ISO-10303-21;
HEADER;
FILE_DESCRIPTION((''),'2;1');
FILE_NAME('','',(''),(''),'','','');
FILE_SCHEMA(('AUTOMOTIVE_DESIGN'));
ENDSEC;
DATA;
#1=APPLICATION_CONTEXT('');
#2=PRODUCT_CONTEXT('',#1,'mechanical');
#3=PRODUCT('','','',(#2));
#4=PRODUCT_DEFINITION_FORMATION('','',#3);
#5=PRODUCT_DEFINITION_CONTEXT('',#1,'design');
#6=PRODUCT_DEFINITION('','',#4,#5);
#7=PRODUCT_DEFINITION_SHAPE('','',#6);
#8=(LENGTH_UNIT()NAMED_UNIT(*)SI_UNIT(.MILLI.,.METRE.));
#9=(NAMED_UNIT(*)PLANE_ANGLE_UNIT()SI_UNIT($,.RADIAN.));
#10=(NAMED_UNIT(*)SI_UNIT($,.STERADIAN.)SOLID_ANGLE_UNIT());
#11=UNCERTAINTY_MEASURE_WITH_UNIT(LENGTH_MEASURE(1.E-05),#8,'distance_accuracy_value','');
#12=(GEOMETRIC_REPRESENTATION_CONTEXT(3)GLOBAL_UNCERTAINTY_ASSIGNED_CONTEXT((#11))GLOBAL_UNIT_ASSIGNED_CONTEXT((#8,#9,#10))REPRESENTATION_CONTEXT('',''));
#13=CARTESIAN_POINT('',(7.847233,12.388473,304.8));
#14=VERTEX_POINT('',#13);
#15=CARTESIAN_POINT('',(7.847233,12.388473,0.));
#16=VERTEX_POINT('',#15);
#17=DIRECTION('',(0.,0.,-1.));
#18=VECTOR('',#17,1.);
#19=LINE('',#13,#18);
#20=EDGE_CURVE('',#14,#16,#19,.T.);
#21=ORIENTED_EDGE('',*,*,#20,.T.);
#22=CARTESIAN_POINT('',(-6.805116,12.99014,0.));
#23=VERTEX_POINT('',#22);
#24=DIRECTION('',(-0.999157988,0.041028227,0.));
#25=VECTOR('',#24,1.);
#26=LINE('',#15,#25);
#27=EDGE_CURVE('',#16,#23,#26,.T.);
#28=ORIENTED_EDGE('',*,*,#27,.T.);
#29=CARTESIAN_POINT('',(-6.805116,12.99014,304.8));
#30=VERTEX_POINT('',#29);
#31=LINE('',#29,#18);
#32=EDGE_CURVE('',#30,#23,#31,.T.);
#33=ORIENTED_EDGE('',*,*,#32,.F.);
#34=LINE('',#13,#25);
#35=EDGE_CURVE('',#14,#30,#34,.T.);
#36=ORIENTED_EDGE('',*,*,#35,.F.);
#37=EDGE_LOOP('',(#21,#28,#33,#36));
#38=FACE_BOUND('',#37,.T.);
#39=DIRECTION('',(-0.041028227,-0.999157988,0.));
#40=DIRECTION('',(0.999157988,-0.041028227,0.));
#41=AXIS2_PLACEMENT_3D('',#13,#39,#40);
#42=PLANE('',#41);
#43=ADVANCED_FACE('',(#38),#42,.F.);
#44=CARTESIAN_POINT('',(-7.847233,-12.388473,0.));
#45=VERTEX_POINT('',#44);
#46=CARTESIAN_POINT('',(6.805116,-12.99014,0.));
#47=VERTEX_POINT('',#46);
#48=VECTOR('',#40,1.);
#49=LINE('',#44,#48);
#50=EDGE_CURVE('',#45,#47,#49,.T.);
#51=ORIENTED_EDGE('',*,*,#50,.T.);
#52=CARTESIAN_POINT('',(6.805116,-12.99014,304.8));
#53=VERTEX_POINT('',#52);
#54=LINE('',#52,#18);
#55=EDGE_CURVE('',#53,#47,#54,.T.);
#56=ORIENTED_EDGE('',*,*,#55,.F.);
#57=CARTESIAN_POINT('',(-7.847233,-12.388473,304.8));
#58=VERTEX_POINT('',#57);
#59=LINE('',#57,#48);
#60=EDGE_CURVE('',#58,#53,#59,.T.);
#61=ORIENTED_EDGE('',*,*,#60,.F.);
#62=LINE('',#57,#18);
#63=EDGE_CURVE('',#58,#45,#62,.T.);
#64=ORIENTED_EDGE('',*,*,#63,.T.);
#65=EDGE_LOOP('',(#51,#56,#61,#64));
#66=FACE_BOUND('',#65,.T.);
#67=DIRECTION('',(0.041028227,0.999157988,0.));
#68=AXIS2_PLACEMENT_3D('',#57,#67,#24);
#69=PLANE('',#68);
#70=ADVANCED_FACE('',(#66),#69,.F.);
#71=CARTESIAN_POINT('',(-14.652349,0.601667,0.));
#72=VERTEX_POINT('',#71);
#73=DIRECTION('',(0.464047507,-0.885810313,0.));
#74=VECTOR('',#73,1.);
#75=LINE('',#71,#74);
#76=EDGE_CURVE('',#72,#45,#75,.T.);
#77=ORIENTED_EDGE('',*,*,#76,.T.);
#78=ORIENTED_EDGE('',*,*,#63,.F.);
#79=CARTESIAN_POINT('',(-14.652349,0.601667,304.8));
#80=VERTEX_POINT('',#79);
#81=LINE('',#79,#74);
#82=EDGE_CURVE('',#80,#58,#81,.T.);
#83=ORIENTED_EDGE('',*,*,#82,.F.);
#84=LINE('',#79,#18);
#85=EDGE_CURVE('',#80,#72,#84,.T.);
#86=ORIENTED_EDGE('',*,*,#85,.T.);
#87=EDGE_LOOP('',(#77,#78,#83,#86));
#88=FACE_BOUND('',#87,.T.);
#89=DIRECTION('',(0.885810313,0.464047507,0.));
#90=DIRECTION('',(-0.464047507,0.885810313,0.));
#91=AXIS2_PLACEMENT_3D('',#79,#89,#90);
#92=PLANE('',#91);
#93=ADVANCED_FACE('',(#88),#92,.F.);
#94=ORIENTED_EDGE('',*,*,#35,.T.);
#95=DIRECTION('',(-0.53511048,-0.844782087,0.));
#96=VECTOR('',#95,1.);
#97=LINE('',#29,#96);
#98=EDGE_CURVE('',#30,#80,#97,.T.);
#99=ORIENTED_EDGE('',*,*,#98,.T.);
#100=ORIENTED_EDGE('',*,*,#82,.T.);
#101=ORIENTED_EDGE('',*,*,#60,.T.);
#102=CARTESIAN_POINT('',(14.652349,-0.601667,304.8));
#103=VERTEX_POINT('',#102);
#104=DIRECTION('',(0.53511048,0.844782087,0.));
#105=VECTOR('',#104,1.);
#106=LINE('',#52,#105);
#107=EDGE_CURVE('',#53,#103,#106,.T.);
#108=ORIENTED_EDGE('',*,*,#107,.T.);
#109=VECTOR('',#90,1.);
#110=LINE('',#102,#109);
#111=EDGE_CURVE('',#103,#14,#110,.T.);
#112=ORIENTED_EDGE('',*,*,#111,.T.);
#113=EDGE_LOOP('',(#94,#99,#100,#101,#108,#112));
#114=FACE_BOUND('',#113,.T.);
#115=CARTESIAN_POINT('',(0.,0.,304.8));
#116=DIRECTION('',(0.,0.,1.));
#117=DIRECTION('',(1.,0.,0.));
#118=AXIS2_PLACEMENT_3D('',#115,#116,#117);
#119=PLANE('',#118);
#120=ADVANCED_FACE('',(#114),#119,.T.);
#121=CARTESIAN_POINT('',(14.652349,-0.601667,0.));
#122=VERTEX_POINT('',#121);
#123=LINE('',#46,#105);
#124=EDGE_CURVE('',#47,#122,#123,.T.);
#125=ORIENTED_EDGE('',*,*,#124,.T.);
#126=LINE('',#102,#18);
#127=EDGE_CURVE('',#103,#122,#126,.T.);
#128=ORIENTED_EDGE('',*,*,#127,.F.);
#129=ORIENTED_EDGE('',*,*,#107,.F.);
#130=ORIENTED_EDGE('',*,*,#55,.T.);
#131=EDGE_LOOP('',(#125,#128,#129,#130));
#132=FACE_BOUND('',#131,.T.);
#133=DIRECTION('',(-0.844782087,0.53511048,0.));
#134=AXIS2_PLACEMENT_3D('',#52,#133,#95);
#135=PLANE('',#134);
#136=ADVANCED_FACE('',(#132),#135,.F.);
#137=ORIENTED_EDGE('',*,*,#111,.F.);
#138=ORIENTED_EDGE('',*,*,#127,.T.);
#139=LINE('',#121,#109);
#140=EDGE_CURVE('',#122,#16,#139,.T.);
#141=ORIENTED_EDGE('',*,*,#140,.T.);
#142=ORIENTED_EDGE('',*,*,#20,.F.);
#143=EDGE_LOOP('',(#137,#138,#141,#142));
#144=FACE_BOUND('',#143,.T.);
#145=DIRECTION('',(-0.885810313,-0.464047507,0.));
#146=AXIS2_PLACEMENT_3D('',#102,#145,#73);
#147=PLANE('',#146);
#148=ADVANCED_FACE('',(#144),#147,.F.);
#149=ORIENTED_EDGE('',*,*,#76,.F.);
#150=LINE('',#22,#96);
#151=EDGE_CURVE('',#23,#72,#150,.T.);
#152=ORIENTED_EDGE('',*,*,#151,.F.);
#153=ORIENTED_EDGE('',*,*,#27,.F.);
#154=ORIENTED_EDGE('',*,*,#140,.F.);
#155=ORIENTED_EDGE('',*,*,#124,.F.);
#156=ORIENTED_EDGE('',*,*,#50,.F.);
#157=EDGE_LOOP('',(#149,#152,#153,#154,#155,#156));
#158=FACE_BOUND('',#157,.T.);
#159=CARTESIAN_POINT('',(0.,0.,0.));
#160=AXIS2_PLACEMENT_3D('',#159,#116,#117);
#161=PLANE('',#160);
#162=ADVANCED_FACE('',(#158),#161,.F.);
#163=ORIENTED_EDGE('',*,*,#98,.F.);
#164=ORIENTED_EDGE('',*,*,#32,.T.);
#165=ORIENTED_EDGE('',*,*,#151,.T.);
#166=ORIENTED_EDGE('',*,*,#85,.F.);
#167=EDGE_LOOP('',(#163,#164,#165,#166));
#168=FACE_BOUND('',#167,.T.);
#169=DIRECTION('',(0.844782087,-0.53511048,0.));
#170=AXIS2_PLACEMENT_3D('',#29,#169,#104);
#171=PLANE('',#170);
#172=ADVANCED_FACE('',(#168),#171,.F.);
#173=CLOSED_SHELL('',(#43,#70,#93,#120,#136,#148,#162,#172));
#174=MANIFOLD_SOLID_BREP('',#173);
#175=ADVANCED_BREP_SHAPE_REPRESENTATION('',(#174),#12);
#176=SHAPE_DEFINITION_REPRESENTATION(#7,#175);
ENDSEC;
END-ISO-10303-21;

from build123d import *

# Parameters (mm, degrees)
BOSS_EXTRUDE1_DEPTH = 304.8


with BuildPart() as part:
    # Sketch1 → Boss-Extrude1 (new body)
    with BuildSketch(Plane.XY):
        Polygon((14.652348984, -0.601666504), (7.847232969, 12.388473193), (-6.805116015, 12.990139697), (-14.652348984, 0.601666504), (-7.847232969, -12.388473193), (6.805116015, -12.990139697), align=None)
    extrude(amount=BOSS_EXTRUDE1_DEPTH)


solid = part.part
